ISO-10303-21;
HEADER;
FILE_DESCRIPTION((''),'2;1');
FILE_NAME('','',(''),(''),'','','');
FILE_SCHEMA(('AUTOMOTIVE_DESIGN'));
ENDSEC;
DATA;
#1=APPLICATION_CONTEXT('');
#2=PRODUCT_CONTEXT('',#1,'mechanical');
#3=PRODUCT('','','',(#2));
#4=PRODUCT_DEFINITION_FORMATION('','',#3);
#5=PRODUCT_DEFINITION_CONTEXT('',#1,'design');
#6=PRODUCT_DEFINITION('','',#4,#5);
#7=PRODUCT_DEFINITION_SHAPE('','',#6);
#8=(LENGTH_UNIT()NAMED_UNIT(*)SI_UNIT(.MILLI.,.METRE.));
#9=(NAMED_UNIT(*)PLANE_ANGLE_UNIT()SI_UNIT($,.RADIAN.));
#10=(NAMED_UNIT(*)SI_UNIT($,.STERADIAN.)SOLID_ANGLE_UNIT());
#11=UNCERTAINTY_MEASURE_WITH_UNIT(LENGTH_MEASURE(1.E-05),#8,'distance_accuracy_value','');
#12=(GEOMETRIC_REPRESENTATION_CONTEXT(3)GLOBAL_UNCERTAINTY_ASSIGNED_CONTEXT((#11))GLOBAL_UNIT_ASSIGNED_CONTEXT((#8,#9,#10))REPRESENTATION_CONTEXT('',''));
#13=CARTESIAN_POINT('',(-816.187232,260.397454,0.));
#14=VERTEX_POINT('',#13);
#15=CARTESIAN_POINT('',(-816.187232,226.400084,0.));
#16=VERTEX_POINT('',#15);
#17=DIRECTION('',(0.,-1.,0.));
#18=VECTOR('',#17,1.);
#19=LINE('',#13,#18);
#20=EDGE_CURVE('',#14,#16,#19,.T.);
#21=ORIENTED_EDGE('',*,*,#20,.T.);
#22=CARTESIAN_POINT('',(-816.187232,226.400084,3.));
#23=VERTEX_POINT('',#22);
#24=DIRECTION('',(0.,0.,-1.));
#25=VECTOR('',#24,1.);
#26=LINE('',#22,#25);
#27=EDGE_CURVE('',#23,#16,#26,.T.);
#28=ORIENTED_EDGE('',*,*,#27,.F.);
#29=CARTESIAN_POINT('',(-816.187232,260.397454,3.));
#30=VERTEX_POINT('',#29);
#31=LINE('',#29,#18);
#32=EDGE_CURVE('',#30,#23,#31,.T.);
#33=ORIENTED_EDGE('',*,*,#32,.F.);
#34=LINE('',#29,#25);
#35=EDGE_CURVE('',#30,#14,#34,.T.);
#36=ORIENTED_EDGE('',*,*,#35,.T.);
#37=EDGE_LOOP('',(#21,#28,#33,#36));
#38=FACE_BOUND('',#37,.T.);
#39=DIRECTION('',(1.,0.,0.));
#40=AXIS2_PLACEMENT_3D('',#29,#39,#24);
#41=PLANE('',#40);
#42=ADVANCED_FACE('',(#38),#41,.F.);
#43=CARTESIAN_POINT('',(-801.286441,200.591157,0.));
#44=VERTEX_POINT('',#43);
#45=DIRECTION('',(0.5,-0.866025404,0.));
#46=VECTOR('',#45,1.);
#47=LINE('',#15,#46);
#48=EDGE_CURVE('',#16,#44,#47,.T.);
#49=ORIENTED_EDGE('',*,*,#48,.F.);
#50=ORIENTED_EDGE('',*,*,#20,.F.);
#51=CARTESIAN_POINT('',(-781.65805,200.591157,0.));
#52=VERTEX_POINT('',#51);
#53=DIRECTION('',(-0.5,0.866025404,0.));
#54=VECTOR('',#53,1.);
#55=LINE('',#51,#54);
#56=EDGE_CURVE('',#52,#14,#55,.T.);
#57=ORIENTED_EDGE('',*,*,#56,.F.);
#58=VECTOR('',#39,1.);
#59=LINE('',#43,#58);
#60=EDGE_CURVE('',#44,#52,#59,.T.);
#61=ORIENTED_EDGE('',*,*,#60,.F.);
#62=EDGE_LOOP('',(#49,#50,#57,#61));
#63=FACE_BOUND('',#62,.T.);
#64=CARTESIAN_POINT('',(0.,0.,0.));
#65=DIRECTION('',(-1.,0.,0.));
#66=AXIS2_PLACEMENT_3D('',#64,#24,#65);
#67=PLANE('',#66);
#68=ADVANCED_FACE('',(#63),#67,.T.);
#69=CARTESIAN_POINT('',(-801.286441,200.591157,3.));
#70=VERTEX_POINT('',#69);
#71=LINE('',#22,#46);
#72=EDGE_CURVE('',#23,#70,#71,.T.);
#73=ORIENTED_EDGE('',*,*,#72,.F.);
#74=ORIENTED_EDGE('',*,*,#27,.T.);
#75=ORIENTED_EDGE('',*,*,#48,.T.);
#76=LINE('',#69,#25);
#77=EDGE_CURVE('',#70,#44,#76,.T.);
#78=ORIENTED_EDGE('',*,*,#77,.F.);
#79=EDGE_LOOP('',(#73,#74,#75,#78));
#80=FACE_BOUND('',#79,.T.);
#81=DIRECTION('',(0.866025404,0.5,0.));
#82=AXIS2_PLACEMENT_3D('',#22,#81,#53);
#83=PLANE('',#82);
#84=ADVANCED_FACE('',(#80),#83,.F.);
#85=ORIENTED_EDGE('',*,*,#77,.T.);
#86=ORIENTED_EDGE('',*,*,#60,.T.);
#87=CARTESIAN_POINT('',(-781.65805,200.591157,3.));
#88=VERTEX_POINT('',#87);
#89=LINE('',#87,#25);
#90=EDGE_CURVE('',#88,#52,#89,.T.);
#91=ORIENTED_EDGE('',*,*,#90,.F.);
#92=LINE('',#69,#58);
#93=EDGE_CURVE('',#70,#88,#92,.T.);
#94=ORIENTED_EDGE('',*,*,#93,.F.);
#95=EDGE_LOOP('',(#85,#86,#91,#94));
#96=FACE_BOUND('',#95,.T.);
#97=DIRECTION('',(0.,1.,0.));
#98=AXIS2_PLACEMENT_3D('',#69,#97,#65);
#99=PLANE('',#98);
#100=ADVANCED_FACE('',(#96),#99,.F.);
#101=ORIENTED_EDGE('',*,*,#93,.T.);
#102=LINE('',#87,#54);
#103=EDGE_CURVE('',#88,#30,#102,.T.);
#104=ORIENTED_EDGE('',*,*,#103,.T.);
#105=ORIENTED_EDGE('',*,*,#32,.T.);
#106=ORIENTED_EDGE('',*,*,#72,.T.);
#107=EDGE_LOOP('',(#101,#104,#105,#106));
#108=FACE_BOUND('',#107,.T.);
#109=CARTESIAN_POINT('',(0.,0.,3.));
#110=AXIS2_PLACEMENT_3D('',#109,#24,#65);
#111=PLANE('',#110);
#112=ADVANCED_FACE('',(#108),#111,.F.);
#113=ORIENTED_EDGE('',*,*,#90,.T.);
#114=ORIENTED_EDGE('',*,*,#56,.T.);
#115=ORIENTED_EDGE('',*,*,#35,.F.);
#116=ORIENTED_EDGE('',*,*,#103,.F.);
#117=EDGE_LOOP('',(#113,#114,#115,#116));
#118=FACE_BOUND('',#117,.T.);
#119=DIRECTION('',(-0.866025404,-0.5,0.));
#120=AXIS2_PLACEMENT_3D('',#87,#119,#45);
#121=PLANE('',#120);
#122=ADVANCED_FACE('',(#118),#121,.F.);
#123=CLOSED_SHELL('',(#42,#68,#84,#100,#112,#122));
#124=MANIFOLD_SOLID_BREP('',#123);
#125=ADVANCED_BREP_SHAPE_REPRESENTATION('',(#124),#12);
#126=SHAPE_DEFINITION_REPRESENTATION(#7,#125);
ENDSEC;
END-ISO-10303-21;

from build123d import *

# Parameters (mm, degrees)
BOSS_EXTRUDE1_DEPTH = 3


with BuildPart() as part:
    # Sketch1 → Boss-Extrude1 (new body)
    with BuildSketch(Plane.XY):
        Polygon((-816.187231936, 260.397454325), (-816.187231936, 226.400083913), (-801.286440787, 200.591156571), (-781.658049828, 200.591156571), align=None)
    extrude(amount=BOSS_EXTRUDE1_DEPTH)


solid = part.part
